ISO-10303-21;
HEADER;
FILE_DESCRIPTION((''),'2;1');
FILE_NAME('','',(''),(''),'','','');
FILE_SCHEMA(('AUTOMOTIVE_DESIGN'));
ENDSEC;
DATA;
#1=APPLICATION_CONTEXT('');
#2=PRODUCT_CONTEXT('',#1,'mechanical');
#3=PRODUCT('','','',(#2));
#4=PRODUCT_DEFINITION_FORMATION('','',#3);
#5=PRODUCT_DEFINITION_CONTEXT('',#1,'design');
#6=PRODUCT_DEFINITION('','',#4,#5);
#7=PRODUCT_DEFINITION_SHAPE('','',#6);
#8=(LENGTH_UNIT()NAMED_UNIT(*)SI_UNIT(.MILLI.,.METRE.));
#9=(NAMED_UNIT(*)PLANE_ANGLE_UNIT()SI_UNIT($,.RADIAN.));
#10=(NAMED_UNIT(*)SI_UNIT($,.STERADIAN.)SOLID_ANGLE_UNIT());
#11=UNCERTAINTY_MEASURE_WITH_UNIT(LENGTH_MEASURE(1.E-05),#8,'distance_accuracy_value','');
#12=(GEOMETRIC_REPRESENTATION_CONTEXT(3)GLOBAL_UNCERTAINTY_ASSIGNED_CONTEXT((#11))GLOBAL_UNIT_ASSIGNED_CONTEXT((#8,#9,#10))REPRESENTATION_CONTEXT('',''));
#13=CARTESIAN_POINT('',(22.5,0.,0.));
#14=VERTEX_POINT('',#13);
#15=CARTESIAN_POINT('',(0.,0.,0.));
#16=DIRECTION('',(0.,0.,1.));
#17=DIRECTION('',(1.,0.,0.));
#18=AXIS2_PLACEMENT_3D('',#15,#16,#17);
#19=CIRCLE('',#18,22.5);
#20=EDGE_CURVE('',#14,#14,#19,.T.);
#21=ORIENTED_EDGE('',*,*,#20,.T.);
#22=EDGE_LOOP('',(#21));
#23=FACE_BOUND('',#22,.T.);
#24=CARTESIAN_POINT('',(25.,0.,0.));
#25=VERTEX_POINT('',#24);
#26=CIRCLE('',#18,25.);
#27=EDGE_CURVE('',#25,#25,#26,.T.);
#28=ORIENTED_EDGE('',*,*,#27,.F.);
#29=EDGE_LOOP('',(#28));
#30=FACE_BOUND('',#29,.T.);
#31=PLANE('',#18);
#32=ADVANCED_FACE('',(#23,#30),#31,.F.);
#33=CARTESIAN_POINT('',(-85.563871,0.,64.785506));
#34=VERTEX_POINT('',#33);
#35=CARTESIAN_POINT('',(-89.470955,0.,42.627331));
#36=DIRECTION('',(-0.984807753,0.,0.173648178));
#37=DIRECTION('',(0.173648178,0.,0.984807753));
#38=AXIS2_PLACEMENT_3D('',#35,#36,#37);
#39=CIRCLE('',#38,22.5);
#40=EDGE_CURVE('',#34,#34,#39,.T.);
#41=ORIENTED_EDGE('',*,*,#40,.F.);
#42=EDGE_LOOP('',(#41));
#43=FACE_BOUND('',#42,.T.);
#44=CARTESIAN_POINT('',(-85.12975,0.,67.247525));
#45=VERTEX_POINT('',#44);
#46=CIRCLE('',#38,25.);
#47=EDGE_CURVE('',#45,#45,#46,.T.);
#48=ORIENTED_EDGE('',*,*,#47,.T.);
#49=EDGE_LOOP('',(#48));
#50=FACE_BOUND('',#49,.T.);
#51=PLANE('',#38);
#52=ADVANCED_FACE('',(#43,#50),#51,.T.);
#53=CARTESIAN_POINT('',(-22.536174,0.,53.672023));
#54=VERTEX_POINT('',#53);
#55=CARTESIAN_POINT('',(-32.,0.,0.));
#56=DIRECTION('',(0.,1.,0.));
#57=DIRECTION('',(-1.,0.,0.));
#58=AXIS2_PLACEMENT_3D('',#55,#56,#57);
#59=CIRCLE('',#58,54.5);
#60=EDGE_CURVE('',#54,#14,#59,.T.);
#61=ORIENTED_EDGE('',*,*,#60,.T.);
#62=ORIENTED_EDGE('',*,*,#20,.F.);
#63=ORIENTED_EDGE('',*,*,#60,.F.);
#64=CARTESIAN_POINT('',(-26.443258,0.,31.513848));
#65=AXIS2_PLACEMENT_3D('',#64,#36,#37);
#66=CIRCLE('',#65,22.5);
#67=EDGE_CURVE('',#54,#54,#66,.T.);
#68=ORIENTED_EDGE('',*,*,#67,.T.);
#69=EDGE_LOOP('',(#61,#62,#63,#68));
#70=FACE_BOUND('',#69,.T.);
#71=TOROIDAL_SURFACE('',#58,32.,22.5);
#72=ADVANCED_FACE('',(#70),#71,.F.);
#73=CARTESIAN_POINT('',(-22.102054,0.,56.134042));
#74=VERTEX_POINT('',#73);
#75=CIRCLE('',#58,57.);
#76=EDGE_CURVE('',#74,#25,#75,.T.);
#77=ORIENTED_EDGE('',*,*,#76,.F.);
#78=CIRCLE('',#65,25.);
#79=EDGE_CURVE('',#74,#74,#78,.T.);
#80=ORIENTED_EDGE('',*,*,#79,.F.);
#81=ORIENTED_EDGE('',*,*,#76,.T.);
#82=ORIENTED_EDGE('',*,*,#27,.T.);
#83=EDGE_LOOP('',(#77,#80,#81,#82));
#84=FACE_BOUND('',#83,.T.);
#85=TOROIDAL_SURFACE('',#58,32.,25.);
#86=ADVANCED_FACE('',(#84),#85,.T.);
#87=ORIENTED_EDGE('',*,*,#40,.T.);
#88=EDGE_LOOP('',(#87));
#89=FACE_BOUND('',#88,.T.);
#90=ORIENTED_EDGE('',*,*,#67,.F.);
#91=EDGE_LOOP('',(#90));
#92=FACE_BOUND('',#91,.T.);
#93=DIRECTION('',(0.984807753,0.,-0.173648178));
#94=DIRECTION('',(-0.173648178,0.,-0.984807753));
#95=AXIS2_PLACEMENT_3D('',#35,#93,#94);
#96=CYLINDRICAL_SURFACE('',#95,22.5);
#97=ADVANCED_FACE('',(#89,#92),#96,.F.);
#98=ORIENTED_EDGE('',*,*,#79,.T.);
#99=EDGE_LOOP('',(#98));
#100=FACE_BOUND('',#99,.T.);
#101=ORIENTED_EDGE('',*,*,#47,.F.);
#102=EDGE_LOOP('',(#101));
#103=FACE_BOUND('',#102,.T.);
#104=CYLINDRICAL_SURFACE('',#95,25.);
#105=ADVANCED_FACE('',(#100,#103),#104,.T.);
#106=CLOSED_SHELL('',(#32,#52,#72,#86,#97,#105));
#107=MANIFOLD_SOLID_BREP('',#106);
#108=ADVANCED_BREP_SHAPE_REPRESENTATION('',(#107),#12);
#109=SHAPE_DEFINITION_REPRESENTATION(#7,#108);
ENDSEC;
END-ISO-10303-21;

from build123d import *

# Parameters (mm, degrees)
ESQUISSE1_R        = 25
ESQUISSE1_R_2      = 22.5
R_VOLUTION2_ANGLE  = 80
ESQUISSE2_R        = 25
ESQUISSE2_R_2      = 22.5
BOSS_EXTRU_1_DEPTH = 64


with BuildPart() as part:
    # Esquisse1 → Révolution2 (revolve)
    with BuildSketch(Plane.XY):
        Circle(ESQUISSE1_R)
        Circle(ESQUISSE1_R_2, mode=Mode.SUBTRACT)
    revolve(axis=Axis((-32, 38.338668819, 0), (0, -1, 0)), revolution_arc=R_VOLUTION2_ANGLE)

    # Esquisse2 → Boss.-Extru.1 (add)
    with BuildSketch(Plane(origin=(-31.035081933, 0, 5.472322293), x_dir=(0.17364817766692736, 0, 0.9848077530122086), z_dir=(-0.9848077530122086, 0, 0.17364817766692736))):
        with Locations((26.443258315, 0)):
            Circle(ESQUISSE2_R)
        with Locations((26.443258315, 0)):
            Circle(ESQUISSE2_R_2, mode=Mode.SUBTRACT)
    extrude(amount=BOSS_EXTRU_1_DEPTH)


solid = part.part
